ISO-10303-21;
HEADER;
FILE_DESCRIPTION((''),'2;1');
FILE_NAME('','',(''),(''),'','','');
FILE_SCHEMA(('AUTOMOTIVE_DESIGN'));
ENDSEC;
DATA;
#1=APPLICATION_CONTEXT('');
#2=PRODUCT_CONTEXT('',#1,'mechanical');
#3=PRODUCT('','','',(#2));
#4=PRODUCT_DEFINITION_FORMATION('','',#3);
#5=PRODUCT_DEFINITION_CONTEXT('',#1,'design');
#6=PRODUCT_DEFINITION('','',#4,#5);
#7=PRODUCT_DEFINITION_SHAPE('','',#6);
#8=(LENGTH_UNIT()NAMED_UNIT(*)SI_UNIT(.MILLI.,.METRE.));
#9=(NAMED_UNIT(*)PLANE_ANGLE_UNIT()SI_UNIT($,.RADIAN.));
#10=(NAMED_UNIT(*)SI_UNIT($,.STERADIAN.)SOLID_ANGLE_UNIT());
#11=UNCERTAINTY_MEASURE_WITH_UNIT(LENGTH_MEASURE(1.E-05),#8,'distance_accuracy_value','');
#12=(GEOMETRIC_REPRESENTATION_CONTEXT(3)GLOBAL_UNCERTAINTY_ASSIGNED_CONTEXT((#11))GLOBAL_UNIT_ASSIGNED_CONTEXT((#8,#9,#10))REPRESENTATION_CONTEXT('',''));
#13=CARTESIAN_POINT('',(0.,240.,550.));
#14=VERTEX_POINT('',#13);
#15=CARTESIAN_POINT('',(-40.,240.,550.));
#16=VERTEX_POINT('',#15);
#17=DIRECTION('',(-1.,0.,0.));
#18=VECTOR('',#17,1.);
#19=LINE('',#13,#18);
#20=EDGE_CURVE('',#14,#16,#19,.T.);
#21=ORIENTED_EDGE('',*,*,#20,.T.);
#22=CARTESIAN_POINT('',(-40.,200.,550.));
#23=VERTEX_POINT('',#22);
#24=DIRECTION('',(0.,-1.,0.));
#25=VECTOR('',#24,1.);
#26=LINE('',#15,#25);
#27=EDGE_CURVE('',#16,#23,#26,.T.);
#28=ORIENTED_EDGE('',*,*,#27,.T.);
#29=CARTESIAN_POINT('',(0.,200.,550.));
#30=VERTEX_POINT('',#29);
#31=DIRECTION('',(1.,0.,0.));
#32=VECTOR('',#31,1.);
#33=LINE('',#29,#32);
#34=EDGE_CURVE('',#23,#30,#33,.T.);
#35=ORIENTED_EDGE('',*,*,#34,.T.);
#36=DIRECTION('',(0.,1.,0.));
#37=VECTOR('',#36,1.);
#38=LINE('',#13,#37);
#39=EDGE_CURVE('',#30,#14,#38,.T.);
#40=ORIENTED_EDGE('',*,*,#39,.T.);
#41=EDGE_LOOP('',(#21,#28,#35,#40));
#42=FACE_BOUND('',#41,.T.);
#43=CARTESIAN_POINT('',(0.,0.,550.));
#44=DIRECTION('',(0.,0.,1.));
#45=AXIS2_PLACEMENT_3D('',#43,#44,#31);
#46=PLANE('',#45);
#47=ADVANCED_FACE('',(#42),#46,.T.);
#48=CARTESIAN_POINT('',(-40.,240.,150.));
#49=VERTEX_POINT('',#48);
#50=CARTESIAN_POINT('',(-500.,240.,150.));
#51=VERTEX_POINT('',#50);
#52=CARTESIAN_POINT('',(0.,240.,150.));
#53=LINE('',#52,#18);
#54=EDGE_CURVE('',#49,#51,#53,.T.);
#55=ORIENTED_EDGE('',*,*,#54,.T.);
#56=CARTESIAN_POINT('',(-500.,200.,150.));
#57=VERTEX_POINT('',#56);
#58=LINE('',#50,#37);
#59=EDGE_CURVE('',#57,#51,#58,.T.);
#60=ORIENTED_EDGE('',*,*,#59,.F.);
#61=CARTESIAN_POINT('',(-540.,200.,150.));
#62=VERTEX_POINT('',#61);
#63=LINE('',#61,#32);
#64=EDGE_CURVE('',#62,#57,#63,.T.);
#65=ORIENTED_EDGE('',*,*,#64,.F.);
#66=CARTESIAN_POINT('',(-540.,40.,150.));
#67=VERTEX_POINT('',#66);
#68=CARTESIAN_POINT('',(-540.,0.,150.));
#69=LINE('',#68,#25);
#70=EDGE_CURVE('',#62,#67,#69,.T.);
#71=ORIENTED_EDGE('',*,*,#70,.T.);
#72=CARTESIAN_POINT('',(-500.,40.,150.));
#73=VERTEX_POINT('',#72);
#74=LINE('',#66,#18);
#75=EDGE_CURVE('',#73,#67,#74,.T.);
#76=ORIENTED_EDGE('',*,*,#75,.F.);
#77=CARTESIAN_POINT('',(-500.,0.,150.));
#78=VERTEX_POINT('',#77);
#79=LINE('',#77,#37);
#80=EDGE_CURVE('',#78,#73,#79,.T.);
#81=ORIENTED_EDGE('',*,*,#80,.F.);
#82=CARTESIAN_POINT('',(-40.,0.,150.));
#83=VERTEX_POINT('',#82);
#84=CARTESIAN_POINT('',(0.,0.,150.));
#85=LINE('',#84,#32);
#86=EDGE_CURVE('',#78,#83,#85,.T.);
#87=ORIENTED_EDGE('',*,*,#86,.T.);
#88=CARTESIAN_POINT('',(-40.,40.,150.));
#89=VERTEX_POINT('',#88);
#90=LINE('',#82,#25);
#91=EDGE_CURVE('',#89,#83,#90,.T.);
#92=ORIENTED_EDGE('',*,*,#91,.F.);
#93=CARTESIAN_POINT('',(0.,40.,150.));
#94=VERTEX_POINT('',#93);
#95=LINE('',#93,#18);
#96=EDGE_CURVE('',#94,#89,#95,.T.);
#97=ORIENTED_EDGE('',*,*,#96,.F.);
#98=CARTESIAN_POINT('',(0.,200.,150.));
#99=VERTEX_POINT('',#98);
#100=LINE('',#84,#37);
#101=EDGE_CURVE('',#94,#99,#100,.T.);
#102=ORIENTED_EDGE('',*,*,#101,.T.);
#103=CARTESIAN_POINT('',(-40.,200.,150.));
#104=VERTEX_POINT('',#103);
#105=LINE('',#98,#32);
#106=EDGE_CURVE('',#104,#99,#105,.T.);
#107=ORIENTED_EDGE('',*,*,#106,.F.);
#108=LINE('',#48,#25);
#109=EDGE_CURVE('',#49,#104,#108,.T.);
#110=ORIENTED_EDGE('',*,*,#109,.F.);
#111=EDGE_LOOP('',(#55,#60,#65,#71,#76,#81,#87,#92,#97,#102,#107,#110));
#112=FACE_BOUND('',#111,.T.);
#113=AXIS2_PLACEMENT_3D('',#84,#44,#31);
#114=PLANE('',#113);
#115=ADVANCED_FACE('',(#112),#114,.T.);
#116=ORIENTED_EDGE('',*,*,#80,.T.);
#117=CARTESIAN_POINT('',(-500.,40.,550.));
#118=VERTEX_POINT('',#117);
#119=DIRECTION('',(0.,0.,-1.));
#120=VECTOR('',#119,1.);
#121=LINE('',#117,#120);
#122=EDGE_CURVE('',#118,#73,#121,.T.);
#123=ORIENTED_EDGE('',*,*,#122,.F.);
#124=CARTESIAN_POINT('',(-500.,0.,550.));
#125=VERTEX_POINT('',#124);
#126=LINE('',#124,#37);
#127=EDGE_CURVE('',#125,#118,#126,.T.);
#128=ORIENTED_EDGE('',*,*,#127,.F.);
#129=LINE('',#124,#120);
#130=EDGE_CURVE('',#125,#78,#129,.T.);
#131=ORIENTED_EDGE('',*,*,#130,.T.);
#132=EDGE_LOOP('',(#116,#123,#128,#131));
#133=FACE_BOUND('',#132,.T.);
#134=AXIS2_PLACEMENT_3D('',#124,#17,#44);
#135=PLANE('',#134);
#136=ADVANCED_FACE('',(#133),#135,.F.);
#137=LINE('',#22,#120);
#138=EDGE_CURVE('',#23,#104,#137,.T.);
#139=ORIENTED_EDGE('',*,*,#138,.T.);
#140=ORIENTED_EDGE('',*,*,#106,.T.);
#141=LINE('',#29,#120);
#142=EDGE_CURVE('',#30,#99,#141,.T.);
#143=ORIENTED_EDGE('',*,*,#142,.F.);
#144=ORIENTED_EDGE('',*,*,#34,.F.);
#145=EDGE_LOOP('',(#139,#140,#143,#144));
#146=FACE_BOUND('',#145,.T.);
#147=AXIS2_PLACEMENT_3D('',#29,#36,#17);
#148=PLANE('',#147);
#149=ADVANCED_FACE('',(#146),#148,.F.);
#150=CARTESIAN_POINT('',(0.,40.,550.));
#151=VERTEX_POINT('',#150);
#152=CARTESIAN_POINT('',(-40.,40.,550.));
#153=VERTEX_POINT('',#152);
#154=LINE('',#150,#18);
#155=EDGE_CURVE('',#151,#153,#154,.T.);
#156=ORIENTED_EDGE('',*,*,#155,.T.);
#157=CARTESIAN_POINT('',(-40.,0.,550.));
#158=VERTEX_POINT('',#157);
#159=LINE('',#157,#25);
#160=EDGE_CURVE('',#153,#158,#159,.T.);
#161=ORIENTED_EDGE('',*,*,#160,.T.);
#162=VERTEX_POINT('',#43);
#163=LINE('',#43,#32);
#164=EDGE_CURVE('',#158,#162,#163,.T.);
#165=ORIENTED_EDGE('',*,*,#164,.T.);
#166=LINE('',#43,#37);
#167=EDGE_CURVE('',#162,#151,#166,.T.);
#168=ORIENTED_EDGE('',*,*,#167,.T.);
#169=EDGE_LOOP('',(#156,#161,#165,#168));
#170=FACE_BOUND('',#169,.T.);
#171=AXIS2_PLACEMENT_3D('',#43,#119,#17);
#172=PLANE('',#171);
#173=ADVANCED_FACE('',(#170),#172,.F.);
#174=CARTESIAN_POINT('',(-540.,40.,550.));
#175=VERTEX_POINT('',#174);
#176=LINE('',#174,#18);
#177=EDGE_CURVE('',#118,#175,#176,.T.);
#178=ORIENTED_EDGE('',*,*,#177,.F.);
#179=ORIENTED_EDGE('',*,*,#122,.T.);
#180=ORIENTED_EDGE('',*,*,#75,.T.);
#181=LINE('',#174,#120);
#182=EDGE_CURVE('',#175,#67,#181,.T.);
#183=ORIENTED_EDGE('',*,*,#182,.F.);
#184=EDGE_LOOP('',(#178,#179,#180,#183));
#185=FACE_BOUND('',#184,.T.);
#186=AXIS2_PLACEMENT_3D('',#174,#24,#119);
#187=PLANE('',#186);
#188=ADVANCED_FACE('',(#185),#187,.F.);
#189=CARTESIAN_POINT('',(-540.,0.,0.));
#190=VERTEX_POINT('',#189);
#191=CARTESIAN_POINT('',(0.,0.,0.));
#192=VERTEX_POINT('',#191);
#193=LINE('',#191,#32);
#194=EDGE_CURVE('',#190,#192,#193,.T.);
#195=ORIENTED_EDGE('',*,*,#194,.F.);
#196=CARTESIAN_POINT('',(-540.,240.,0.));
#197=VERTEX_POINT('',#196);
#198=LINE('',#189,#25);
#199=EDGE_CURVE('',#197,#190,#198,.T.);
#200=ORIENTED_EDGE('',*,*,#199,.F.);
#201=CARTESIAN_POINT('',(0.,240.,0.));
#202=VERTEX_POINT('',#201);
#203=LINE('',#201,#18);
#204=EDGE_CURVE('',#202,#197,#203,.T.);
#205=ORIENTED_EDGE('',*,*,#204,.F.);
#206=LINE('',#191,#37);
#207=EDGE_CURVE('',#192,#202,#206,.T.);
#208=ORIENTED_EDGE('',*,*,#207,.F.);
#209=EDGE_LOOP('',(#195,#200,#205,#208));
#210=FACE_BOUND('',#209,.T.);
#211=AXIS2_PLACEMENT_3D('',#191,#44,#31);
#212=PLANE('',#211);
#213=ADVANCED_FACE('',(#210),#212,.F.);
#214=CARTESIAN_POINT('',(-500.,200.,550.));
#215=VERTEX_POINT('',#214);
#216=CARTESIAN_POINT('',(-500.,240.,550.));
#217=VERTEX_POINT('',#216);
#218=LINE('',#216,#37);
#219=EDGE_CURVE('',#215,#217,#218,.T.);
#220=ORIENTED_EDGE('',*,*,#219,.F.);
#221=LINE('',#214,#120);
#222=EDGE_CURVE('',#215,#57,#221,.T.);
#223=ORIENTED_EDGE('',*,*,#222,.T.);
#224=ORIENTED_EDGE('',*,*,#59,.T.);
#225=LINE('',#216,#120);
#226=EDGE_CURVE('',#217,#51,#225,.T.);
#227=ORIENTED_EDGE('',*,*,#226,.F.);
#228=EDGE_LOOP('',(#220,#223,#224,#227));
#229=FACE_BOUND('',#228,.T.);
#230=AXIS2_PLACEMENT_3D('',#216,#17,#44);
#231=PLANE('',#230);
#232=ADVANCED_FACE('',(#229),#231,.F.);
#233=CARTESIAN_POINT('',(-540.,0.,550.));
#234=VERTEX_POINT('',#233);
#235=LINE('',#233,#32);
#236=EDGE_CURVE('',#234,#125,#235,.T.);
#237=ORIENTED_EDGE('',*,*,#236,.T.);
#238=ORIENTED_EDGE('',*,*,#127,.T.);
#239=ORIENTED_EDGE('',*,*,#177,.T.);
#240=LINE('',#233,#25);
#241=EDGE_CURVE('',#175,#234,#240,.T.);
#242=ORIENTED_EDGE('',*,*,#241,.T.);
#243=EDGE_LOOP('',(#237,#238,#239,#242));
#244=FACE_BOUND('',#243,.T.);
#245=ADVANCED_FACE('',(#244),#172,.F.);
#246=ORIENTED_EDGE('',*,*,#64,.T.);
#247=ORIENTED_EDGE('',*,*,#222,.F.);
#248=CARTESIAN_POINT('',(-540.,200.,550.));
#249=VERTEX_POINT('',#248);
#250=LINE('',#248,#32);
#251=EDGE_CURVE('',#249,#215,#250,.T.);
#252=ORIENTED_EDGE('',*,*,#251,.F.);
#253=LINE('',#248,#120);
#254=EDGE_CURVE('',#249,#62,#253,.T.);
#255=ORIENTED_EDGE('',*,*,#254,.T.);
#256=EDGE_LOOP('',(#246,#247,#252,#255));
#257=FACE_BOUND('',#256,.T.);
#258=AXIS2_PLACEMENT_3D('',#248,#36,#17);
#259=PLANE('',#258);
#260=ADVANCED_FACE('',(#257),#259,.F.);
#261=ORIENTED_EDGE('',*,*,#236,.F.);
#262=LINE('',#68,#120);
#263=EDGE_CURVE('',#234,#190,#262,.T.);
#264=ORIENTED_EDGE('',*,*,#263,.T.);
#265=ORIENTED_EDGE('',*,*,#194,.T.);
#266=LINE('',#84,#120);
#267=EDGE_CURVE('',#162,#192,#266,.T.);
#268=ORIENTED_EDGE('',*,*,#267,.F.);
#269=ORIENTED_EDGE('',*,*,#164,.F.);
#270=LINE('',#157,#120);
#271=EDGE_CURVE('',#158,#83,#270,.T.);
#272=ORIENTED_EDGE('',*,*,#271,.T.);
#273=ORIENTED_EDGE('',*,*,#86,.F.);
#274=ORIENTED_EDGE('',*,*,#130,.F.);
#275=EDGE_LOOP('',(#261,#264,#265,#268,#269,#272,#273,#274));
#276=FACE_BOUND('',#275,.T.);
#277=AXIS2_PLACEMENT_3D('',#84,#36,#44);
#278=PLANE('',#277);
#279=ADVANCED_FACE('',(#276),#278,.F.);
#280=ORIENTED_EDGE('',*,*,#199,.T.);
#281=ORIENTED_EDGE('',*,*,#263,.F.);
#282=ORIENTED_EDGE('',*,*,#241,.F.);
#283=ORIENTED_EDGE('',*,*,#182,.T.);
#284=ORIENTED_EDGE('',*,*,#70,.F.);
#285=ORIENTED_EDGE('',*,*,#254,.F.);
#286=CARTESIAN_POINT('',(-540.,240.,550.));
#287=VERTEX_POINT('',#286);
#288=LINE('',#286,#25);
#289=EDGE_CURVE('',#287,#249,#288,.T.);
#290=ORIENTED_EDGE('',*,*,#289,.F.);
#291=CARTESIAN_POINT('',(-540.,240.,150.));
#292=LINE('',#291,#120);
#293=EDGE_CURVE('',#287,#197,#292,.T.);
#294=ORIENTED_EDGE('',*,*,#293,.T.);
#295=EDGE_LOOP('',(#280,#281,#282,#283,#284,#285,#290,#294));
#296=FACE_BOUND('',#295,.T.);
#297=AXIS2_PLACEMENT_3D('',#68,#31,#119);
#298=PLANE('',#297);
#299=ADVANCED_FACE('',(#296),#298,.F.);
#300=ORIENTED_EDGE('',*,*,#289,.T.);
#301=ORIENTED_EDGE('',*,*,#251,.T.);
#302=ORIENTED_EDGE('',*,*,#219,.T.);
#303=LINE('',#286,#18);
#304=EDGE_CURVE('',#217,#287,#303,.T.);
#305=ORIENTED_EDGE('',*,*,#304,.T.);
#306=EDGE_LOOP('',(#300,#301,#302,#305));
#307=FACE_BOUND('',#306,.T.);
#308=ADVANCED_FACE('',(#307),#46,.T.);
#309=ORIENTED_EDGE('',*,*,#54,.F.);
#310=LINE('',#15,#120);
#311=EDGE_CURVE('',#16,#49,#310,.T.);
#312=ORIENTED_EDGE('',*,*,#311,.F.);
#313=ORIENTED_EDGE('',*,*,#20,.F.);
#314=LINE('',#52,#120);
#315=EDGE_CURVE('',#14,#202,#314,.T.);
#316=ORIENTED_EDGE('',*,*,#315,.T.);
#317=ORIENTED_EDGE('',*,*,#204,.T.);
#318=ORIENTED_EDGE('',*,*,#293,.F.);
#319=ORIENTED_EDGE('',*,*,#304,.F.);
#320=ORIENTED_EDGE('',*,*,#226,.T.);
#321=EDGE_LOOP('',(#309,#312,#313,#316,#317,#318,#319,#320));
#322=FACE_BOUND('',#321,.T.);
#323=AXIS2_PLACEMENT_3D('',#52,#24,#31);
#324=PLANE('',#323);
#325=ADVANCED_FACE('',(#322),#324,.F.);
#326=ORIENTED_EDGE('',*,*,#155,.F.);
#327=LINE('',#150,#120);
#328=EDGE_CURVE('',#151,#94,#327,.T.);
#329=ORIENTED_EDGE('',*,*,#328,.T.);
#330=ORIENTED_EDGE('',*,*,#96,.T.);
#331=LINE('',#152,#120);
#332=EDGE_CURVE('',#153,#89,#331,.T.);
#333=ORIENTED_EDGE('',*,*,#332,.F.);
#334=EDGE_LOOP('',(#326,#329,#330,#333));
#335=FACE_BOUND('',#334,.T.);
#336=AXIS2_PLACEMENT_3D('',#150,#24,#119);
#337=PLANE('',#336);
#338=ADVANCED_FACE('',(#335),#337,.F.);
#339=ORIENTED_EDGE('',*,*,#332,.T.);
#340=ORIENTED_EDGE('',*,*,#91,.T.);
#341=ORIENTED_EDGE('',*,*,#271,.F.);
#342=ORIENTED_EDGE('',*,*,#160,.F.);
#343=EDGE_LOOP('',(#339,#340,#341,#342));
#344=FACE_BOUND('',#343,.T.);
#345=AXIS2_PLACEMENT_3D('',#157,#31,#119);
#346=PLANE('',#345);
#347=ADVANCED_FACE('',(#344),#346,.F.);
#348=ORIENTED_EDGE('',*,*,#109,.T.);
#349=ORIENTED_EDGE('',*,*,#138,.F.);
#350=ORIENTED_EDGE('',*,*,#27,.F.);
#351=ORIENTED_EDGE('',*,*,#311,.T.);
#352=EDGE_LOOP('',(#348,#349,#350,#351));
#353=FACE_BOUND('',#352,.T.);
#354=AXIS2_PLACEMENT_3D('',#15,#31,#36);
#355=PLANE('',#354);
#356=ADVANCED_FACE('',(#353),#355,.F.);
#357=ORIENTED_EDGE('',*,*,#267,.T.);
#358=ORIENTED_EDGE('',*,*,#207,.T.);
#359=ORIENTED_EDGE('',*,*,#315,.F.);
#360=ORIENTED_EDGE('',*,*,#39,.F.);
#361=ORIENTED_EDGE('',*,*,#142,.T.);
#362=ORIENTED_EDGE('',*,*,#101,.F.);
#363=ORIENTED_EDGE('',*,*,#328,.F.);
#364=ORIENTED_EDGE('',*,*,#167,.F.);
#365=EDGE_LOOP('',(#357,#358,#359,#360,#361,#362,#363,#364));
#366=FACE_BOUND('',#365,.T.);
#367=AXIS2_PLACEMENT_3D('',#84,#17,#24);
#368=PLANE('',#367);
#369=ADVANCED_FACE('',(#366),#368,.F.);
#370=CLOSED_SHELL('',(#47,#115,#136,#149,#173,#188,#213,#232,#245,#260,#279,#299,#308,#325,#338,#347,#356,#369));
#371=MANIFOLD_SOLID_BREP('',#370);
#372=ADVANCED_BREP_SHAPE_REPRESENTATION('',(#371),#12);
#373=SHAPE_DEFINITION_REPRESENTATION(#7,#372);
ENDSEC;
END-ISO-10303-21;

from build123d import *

# Parameters (mm, degrees)
ESBO_O1_W                = 540
ESBO_O1_H                = 240
RESSALTO_EXTRUS_O1_DEPTH = 150
ESBO_O2_W                = 40
ESBO_O2_H                = 40
RESSALTO_EXTRUS_O2_DEPTH = 400


with BuildPart() as part:
    # Esboço1 → Ressalto-extrusão1 (new body)
    with BuildSketch(Plane.XY):
        with Locations((-270, 120)):
            Rectangle(ESBO_O1_W, ESBO_O1_H)
    extrude(amount=RESSALTO_EXTRUS_O1_DEPTH)

    # Esboço2 → Ressalto-extrusão2 (add)
    with BuildSketch(Plane.XY.offset(150)):
        with Locations((-520, 220)):
            Rectangle(ESBO_O2_W, ESBO_O2_H)
        with Locations((-520, 20)):
            Rectangle(ESBO_O2_W, ESBO_O2_H)
        with Locations((-20, 20)):
            Rectangle(ESBO_O2_W, ESBO_O2_H)
        with Locations((-20, 220)):
            Rectangle(ESBO_O2_W, ESBO_O2_H)
    extrude(amount=RESSALTO_EXTRUS_O2_DEPTH)


solid = part.part
